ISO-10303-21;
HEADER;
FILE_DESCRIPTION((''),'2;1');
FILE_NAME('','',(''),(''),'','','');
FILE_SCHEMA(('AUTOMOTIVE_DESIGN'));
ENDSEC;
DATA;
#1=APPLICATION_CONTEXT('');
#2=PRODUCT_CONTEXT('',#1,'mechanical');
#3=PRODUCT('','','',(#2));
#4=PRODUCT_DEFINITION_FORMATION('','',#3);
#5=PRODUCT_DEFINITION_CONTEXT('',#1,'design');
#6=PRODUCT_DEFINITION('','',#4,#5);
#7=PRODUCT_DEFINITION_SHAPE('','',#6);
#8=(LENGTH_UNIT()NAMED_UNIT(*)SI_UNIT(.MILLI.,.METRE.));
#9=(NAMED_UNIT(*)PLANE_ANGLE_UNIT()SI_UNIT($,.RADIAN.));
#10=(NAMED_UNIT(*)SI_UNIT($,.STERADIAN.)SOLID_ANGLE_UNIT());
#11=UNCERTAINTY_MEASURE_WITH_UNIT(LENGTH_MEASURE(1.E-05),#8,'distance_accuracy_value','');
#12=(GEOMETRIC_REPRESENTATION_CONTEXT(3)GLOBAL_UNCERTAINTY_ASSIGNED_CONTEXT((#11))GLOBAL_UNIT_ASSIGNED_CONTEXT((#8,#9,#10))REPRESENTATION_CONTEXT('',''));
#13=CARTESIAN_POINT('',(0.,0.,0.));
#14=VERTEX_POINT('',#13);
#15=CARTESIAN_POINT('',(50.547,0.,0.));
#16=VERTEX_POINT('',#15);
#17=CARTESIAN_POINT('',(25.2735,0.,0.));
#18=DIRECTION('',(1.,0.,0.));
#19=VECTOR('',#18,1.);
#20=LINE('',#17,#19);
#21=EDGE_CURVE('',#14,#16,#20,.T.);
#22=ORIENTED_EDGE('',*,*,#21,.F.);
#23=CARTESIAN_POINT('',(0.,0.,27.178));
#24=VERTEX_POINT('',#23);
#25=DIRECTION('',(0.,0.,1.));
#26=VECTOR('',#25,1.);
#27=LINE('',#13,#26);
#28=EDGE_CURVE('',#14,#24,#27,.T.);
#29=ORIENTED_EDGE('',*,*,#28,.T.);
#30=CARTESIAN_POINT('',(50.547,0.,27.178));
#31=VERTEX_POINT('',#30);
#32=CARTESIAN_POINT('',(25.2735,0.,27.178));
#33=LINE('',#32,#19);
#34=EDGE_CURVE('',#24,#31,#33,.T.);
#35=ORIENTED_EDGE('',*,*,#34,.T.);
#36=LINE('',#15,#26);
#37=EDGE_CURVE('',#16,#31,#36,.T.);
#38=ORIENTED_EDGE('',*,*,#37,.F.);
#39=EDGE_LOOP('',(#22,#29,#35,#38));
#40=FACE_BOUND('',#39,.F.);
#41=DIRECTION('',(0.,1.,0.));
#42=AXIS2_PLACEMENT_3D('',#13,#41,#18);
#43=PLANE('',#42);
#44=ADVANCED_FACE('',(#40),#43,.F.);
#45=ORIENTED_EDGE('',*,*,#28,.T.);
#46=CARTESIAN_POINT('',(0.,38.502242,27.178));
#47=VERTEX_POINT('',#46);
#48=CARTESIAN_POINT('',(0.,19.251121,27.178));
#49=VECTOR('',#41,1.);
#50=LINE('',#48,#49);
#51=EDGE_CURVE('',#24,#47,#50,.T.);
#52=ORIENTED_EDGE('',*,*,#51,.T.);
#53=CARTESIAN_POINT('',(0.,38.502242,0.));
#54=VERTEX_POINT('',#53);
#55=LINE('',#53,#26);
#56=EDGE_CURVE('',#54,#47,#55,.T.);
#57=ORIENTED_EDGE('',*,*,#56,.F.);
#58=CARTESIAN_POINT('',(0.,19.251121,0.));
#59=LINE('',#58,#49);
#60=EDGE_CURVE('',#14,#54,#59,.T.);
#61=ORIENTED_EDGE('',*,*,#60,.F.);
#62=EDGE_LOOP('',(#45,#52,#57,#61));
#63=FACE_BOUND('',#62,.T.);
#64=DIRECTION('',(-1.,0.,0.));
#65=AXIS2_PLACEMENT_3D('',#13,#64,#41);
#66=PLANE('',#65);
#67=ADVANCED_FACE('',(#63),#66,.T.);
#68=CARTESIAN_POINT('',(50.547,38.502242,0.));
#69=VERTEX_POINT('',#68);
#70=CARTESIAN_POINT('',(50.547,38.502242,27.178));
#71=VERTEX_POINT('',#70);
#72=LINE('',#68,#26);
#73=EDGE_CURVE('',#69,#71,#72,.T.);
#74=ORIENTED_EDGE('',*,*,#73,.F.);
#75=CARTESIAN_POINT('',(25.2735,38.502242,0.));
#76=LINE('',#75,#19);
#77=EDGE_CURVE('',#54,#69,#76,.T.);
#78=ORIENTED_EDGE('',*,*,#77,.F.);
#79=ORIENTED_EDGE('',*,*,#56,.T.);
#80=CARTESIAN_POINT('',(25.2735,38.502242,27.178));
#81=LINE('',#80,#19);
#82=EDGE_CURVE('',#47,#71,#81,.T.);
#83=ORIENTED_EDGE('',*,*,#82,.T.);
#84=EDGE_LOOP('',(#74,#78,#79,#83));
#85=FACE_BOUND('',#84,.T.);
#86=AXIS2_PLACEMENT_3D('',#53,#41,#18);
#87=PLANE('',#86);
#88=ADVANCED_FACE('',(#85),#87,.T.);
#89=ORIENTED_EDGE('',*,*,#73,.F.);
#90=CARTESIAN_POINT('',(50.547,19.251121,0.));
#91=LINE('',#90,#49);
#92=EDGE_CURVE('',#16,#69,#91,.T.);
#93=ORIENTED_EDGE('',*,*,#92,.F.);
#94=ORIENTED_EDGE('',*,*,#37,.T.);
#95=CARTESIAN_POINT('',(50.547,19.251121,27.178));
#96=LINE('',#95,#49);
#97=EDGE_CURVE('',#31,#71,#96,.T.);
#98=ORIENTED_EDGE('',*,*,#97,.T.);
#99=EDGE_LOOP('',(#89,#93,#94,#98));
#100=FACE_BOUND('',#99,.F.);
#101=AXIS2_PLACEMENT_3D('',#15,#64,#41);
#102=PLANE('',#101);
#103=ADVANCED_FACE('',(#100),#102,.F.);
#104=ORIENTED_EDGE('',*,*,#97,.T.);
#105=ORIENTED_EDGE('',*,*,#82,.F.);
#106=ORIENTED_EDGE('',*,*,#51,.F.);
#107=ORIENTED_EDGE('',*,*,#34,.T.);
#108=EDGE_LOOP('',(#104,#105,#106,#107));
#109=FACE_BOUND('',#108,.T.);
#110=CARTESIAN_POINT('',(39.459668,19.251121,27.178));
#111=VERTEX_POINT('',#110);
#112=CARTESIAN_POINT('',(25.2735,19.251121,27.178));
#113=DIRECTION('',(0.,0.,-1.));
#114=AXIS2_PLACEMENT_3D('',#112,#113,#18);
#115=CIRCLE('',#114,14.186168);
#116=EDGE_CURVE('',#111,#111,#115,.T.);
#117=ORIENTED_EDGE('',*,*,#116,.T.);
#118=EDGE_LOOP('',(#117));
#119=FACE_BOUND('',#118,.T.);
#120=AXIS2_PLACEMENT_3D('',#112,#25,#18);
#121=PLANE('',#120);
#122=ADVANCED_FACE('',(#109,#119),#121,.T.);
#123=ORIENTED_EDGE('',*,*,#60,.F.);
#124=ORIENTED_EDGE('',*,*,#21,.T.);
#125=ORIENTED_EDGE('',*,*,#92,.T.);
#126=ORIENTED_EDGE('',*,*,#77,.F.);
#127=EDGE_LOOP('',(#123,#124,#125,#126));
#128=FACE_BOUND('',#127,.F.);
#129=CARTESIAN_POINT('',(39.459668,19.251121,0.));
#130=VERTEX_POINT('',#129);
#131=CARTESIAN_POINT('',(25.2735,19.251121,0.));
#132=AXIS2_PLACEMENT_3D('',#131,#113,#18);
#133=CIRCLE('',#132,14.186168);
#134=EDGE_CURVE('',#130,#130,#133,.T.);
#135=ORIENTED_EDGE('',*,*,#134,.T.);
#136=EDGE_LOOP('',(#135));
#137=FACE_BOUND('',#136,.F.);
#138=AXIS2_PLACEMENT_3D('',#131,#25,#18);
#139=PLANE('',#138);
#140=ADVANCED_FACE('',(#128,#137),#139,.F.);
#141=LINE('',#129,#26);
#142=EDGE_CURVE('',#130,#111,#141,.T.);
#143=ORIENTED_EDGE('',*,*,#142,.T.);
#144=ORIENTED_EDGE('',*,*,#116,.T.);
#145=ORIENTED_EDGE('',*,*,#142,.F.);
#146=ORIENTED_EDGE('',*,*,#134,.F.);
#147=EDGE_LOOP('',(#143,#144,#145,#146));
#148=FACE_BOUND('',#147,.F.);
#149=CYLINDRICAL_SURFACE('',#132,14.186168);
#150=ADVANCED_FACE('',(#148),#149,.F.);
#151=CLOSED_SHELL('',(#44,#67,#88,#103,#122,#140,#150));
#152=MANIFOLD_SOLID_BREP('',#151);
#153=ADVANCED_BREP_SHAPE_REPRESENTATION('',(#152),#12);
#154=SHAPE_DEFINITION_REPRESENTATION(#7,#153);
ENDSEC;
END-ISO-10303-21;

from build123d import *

# Parameters (mm, degrees)
F0_W     = 50.547
F0_H     = 38.502242
F1_DEPTH = 27.178
F2_R     = 14.186168
F3_DEPTH = 27.179


with BuildPart() as f1:
    # F0 (on Top) → F1 (new body)
    with BuildSketch(Plane.XY):
        with Locations((25.2735, 19.251121)):
            Rectangle(F0_W, F0_H)
    extrude(amount=F1_DEPTH)

    # F2 (on face) → F3 (cut, through all)
    with BuildSketch(Plane(origin=(0, 0, 0), x_dir=(1, 0, 0), z_dir=(0, 0, -1))):
        with Locations((25.2735, -19.251121)):
            Circle(F2_R)
    extrude(amount=-F3_DEPTH, mode=Mode.SUBTRACT)


solid = f1.part
